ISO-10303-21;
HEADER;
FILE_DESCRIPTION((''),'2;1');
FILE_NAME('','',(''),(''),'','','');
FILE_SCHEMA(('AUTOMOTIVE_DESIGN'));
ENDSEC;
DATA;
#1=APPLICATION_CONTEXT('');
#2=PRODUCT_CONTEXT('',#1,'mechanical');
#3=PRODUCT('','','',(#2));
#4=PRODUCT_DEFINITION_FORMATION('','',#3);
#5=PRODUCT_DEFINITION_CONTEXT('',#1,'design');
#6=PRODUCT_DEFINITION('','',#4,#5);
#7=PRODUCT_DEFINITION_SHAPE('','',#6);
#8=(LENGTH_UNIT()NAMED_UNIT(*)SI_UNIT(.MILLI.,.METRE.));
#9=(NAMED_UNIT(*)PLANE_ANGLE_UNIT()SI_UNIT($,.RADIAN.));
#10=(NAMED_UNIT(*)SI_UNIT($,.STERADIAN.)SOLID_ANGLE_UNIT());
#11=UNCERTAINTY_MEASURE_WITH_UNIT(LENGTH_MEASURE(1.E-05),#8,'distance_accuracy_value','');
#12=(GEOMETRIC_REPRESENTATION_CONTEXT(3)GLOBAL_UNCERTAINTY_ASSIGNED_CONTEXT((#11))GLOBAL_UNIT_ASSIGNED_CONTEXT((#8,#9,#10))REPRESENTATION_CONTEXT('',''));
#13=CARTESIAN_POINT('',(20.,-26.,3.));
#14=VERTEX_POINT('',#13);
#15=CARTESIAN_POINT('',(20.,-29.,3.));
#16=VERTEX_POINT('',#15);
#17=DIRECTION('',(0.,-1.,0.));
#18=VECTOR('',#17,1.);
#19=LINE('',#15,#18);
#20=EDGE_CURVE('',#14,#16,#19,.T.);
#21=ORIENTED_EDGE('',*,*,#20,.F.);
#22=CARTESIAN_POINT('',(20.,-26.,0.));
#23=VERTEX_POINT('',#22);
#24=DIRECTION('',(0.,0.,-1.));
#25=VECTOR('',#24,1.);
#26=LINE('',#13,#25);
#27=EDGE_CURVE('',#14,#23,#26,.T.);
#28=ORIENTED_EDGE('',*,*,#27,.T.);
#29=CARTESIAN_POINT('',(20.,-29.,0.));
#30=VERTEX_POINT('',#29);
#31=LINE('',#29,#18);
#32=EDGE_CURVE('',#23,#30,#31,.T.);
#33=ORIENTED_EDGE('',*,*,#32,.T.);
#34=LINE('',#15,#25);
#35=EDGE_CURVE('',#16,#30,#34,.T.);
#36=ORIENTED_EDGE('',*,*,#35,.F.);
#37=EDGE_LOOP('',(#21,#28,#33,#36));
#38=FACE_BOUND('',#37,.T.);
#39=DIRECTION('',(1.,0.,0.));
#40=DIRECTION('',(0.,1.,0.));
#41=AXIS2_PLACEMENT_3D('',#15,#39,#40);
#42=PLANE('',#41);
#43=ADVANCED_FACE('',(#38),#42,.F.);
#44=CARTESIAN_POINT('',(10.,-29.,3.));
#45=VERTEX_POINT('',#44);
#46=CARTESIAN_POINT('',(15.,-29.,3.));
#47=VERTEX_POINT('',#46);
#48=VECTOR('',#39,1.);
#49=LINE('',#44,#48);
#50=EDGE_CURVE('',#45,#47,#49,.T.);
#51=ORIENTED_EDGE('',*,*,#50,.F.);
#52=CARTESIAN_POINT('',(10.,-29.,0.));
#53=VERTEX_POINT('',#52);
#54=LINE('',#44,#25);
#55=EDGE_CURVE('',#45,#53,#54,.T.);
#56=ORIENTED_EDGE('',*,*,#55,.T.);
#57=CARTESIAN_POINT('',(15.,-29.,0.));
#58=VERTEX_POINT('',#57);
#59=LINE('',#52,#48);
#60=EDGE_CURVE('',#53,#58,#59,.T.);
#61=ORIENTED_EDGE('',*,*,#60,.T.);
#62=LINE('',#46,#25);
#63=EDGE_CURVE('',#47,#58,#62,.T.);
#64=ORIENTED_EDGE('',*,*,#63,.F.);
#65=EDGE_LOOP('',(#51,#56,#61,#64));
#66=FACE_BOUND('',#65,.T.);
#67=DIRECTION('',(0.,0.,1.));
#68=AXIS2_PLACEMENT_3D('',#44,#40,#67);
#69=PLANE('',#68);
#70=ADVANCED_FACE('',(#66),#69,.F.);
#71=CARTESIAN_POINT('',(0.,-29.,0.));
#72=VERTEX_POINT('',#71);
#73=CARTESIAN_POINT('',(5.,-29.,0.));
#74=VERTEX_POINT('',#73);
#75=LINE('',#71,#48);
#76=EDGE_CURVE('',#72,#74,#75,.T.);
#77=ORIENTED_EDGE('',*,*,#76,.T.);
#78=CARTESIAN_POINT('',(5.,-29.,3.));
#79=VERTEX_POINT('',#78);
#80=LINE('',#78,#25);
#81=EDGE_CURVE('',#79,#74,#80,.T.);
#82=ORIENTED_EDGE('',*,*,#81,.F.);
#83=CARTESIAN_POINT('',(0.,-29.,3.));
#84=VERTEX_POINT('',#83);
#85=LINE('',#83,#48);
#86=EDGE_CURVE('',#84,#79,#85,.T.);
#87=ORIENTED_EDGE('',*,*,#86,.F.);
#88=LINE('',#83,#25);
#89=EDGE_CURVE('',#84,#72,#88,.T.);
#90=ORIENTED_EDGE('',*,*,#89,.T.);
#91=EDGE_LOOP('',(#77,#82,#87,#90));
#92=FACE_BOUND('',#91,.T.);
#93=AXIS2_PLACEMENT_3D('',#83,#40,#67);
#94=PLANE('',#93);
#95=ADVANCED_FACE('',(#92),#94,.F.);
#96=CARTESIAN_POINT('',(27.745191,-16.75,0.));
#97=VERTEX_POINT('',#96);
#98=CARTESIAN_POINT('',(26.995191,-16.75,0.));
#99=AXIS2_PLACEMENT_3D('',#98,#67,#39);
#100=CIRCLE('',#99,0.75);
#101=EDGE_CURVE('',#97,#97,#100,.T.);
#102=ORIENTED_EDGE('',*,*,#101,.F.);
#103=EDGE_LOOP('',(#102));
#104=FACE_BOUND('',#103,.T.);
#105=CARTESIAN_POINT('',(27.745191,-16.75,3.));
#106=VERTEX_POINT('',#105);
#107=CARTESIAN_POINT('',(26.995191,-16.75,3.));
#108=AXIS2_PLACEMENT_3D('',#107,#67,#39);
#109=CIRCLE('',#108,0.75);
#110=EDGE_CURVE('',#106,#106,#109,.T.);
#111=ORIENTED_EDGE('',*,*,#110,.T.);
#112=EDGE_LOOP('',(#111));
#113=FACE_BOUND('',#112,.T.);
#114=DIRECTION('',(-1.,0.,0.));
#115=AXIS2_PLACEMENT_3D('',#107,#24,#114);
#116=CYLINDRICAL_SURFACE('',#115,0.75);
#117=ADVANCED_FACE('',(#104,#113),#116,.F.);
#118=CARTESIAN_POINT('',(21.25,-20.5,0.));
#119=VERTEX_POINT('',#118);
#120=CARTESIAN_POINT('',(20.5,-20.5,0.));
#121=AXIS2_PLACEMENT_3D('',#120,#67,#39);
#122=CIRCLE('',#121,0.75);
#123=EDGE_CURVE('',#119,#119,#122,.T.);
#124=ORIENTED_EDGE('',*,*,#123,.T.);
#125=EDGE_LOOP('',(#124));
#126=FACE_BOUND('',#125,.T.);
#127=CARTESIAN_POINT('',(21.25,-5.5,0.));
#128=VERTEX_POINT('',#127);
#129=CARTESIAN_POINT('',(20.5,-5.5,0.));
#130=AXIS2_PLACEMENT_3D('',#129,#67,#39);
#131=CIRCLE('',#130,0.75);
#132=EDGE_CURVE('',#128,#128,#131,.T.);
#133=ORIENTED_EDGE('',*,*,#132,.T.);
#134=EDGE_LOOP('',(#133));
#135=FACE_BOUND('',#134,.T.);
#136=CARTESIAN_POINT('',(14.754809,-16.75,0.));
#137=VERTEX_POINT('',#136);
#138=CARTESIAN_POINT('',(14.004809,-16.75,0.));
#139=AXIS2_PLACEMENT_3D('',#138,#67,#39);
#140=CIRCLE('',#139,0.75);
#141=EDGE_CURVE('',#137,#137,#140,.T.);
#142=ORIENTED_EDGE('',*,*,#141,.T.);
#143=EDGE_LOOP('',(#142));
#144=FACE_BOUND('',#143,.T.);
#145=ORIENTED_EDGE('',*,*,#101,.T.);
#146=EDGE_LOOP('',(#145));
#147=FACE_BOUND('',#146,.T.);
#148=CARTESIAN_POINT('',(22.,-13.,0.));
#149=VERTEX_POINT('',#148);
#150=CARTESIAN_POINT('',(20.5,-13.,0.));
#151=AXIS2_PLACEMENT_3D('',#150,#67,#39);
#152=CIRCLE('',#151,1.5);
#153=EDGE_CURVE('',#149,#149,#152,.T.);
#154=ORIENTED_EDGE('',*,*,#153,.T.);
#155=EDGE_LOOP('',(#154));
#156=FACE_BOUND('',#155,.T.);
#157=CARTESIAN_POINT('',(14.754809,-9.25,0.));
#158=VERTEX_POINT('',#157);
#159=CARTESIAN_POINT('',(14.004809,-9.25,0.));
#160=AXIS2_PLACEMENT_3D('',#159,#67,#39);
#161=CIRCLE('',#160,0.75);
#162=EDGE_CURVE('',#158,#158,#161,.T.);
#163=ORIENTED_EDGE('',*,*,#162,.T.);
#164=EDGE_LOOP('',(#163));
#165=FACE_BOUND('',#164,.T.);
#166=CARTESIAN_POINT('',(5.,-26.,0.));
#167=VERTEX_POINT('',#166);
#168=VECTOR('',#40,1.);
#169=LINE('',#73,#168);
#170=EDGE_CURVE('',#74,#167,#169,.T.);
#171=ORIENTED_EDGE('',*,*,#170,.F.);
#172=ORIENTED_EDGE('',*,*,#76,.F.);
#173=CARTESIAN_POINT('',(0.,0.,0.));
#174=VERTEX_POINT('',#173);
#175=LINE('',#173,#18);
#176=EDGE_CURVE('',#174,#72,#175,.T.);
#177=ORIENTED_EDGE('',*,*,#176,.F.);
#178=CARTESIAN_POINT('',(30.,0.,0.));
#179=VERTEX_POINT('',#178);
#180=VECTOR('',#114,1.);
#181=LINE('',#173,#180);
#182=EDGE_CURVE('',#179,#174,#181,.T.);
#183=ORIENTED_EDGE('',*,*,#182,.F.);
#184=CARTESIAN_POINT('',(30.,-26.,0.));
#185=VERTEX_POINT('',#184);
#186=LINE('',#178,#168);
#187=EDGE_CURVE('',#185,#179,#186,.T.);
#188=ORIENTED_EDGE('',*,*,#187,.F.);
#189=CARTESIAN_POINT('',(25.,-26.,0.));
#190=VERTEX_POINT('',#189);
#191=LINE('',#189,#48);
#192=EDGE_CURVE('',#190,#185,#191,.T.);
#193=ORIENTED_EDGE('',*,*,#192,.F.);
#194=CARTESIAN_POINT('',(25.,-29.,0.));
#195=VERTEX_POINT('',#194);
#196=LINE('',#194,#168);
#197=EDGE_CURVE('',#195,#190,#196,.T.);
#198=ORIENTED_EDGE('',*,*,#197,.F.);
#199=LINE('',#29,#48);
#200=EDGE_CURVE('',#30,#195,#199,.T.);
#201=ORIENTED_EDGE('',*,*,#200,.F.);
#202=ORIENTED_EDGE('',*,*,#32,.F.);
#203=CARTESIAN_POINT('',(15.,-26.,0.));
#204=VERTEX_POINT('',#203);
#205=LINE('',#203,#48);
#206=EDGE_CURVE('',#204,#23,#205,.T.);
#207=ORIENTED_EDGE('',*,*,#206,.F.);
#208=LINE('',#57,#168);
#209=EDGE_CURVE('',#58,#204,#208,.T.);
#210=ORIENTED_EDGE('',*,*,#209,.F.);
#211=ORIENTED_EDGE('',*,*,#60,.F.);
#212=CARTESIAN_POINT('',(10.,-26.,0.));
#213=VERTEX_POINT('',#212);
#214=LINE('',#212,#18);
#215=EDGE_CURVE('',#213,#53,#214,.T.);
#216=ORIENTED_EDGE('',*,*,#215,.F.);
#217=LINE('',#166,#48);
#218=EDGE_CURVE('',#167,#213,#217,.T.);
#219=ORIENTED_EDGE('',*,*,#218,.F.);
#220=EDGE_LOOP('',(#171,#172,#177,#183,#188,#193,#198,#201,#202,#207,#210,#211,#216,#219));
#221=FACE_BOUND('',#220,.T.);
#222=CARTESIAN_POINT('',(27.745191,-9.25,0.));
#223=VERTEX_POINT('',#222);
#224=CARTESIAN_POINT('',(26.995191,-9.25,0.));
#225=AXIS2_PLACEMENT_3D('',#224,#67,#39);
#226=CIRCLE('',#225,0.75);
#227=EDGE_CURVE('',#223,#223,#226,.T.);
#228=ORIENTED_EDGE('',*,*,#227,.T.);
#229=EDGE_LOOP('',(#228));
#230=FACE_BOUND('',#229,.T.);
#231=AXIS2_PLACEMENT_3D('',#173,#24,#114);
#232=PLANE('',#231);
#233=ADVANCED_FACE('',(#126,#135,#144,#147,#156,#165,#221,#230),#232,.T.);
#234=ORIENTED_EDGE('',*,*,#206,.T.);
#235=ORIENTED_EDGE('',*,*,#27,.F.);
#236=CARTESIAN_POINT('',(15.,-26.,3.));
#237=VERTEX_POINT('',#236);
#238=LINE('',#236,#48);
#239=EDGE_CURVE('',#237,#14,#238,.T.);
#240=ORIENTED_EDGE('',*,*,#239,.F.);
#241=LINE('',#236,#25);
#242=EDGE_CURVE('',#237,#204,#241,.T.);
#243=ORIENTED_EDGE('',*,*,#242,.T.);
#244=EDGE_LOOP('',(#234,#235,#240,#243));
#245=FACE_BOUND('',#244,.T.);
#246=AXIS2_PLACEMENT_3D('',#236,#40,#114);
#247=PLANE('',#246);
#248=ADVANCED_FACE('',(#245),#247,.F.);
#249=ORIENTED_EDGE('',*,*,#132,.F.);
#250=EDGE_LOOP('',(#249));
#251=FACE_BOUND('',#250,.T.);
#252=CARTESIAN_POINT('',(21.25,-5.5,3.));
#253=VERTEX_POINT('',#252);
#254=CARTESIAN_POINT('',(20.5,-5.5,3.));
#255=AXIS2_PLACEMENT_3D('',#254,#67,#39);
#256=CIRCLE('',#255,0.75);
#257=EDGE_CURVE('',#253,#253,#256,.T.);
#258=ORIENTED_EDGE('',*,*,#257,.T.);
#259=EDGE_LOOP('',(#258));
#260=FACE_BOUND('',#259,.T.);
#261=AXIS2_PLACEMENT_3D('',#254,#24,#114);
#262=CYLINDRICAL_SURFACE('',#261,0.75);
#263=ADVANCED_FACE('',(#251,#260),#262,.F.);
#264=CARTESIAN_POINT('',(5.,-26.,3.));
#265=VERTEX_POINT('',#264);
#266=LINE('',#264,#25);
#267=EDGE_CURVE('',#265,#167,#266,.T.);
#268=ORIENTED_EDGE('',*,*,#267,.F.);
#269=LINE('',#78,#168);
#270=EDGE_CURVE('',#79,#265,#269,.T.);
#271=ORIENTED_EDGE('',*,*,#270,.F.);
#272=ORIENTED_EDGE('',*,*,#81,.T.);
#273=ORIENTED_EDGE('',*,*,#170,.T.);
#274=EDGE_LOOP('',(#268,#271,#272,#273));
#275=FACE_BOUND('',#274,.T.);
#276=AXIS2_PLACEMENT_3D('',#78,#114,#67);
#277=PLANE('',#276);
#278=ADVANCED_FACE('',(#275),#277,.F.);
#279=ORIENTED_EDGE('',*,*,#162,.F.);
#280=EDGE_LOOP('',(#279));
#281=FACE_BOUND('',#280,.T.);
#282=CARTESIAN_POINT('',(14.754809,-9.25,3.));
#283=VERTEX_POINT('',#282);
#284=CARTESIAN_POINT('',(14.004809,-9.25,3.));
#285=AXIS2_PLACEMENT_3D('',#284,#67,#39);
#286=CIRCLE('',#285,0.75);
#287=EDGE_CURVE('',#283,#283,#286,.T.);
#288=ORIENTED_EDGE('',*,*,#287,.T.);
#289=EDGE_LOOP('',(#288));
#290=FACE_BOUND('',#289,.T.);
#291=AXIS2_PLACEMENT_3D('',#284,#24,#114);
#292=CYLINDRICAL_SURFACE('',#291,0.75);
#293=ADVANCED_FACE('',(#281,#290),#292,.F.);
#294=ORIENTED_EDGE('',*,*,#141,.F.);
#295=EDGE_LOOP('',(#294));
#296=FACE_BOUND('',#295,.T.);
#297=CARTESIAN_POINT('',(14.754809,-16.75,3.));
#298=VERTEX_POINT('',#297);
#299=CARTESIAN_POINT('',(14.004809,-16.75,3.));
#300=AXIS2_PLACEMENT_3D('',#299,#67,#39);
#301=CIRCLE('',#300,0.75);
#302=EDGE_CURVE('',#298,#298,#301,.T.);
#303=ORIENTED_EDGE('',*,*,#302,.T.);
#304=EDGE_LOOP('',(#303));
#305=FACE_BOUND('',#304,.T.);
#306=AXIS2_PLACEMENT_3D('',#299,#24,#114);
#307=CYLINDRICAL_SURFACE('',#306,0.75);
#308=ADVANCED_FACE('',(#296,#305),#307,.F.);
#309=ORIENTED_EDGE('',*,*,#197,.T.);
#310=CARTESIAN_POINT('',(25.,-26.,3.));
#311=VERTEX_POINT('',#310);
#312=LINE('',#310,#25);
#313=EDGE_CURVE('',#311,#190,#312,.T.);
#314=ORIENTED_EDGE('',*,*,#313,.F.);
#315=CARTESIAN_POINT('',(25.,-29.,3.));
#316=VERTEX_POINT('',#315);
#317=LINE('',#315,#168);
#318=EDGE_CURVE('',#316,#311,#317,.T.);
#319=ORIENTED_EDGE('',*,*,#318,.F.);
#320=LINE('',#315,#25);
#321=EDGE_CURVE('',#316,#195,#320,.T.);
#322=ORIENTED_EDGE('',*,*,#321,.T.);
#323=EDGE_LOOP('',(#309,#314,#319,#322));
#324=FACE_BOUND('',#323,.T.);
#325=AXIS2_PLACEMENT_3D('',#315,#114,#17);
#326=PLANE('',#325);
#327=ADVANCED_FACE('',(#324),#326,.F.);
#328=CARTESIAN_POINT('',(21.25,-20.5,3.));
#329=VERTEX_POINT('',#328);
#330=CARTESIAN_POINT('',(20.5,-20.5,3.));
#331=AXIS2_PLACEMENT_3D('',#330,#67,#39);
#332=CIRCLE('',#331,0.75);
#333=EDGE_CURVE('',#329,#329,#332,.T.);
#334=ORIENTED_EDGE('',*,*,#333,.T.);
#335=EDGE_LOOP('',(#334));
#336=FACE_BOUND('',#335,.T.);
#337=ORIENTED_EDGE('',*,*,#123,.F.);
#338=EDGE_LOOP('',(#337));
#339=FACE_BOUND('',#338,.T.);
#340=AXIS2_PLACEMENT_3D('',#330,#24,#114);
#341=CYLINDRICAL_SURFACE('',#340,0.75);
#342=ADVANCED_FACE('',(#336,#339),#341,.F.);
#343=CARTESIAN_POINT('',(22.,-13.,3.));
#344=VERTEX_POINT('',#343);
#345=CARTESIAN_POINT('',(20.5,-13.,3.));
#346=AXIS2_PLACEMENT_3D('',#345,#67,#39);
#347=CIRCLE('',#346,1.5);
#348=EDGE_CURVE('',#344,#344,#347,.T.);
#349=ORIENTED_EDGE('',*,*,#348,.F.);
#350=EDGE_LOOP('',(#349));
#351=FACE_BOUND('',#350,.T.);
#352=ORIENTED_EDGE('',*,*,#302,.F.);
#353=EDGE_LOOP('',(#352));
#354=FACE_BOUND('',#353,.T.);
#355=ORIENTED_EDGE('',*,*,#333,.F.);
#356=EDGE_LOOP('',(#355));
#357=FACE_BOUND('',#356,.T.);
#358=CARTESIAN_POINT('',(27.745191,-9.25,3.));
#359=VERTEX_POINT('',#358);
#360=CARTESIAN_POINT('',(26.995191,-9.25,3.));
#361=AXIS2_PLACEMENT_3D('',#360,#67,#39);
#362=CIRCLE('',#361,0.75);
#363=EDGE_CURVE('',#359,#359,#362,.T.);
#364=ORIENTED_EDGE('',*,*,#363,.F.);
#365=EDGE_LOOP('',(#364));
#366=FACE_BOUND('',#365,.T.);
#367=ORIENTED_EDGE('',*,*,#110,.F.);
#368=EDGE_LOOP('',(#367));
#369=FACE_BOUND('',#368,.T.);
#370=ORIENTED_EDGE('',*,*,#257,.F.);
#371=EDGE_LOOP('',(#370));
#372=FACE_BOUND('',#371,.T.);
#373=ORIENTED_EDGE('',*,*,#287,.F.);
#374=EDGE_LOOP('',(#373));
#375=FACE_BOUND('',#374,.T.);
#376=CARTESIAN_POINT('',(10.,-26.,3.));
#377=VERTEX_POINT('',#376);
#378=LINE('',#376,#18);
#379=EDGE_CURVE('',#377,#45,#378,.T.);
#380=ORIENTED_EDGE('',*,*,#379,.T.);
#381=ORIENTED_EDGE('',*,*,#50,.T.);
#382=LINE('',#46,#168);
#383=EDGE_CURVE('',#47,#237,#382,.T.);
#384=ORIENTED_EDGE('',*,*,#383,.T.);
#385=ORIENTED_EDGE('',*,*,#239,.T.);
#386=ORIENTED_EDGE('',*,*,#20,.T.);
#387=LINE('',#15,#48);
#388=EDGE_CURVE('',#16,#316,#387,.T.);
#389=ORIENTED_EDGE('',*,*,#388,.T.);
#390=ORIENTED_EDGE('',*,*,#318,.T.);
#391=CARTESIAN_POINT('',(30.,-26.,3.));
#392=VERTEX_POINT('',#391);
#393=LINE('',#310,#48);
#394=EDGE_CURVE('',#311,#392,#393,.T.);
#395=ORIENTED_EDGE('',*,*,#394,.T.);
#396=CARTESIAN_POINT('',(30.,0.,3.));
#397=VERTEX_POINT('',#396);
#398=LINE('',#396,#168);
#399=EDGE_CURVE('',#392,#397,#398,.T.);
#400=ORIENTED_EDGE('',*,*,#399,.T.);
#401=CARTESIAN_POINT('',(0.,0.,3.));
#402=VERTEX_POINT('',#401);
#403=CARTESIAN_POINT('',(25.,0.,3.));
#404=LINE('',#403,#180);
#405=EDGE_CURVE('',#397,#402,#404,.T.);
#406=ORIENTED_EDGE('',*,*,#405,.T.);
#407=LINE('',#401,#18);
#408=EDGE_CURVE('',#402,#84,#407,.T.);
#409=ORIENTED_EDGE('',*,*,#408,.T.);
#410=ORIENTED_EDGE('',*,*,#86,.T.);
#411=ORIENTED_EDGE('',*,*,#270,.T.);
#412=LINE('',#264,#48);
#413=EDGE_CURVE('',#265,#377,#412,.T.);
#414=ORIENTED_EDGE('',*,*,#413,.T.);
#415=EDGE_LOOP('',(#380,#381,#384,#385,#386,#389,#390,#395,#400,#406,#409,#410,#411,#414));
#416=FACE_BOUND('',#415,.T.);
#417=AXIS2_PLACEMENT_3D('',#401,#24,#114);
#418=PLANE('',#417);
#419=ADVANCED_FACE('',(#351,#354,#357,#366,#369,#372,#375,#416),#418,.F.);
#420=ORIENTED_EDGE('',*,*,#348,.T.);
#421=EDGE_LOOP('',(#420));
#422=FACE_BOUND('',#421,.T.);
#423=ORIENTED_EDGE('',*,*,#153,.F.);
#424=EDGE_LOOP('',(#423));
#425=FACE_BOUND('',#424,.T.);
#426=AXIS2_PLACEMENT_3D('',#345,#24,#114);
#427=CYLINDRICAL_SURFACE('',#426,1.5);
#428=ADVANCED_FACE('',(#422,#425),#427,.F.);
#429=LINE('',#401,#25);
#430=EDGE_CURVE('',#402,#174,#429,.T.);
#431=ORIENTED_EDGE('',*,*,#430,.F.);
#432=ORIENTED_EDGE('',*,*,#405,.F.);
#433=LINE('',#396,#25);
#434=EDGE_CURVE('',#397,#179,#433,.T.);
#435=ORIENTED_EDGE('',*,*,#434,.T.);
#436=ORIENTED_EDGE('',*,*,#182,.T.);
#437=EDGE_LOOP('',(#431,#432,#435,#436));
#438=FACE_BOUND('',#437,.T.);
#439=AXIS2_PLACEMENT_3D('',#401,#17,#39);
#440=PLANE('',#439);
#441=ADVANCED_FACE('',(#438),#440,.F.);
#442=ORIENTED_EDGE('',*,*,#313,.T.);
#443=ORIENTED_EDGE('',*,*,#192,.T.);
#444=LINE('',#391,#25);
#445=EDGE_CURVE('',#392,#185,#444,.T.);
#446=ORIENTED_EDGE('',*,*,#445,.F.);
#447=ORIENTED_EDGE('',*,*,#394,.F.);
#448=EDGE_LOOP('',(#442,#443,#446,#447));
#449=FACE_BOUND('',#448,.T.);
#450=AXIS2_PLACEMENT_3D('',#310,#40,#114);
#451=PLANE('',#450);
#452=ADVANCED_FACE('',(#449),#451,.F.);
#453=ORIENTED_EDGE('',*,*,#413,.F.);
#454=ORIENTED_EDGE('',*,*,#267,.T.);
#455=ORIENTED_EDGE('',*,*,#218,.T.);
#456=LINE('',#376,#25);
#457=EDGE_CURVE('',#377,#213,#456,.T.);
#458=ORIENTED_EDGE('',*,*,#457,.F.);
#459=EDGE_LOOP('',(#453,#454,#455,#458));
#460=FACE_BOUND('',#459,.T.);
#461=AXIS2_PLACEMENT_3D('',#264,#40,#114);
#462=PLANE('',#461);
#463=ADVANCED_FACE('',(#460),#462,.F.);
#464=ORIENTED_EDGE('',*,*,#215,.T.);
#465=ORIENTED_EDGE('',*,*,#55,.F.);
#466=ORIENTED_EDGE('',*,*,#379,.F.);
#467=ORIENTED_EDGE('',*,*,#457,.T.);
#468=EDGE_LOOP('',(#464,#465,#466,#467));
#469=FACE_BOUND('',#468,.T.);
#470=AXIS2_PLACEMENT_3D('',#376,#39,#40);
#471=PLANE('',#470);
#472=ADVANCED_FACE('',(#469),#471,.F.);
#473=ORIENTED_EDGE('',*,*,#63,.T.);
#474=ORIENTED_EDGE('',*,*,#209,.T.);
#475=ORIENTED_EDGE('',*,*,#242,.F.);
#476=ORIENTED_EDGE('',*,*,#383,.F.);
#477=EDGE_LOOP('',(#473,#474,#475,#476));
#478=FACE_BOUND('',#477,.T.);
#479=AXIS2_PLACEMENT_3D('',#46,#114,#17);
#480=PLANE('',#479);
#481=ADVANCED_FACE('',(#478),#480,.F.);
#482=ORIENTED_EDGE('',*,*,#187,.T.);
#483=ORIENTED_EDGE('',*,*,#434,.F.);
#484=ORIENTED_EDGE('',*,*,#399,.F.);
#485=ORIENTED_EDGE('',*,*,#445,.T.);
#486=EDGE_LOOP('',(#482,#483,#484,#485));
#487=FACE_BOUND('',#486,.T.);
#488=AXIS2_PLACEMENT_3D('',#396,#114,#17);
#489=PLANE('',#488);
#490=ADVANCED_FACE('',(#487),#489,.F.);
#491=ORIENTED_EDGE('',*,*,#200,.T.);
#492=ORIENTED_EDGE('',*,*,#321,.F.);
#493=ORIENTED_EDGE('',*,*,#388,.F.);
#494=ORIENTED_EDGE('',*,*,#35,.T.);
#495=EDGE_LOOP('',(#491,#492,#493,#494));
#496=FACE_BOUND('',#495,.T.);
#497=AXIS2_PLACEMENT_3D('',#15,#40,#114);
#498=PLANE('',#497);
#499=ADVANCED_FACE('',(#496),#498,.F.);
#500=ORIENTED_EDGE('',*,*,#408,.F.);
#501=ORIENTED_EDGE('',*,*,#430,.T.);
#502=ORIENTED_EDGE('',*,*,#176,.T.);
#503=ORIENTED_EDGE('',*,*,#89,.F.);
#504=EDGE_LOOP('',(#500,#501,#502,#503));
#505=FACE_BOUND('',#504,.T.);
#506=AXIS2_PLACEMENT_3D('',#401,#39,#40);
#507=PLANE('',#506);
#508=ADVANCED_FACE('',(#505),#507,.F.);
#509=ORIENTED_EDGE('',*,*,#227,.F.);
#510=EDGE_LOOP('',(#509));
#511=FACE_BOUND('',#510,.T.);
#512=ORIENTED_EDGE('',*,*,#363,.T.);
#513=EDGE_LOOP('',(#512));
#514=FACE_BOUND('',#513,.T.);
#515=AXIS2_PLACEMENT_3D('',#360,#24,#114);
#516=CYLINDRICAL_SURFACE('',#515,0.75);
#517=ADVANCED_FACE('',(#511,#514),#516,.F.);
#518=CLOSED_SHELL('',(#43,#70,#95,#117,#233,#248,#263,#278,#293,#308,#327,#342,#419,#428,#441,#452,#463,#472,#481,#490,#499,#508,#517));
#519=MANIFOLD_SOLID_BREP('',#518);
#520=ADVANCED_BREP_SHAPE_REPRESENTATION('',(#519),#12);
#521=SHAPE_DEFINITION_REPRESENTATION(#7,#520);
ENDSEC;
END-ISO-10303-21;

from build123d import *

# Parameters (mm, degrees)
SKETCH1_R             = 0.75
SKETCH1_R_2           = 1.5
BOSS_EXTRUDE1_DEPTH   = 3
CORTAR_EXTRUIR1_START = -3
CROQUIS1_W            = 15
CROQUIS1_H            = 6.71890751
CORTAR_EXTRUIR1_DEPTH = 3


with BuildPart() as part:
    # Sketch1 → Boss-Extrude1 (new body)
    with BuildSketch(Plane.XY):
        Polygon((10, 0), (10, 3), (15, 3), (15, 0), (20, 0), (20, 3), (25, 3), (25, 0), (30, 0), (30, -26), (25, -26), (25, -29), (20, -29), (20, -26), (15, -26), (15, -29), (10, -29), (10, -26), (5, -26), (5, -29), (0, -29), (0, 0), align=None)
        with Locations((20.5, -5.5)):
            Circle(SKETCH1_R, mode=Mode.SUBTRACT)
        with Locations((26.995190528, -9.25)):
            Circle(SKETCH1_R, mode=Mode.SUBTRACT)
        with Locations((26.995190528, -16.75)):
            Circle(SKETCH1_R, mode=Mode.SUBTRACT)
        with Locations((20.5, -20.5)):
            Circle(SKETCH1_R, mode=Mode.SUBTRACT)
        with Locations((14.004809472, -16.75)):
            Circle(SKETCH1_R, mode=Mode.SUBTRACT)
        with Locations((14.004809472, -9.25)):
            Circle(SKETCH1_R, mode=Mode.SUBTRACT)
        with Locations((20.5, -13)):
            Circle(SKETCH1_R_2, mode=Mode.SUBTRACT)
    extrude(amount=BOSS_EXTRUDE1_DEPTH)

    # Croquis1 → Cortar-Extruir1 (cut)
    with BuildSketch(Plane.XY.offset(3).offset(CORTAR_EXTRUIR1_START)):
        with Locations((17.5, 3.359453755)):
            Rectangle(CROQUIS1_W, CROQUIS1_H)
    extrude(amount=CORTAR_EXTRUIR1_DEPTH, mode=Mode.SUBTRACT)


solid = part.part
